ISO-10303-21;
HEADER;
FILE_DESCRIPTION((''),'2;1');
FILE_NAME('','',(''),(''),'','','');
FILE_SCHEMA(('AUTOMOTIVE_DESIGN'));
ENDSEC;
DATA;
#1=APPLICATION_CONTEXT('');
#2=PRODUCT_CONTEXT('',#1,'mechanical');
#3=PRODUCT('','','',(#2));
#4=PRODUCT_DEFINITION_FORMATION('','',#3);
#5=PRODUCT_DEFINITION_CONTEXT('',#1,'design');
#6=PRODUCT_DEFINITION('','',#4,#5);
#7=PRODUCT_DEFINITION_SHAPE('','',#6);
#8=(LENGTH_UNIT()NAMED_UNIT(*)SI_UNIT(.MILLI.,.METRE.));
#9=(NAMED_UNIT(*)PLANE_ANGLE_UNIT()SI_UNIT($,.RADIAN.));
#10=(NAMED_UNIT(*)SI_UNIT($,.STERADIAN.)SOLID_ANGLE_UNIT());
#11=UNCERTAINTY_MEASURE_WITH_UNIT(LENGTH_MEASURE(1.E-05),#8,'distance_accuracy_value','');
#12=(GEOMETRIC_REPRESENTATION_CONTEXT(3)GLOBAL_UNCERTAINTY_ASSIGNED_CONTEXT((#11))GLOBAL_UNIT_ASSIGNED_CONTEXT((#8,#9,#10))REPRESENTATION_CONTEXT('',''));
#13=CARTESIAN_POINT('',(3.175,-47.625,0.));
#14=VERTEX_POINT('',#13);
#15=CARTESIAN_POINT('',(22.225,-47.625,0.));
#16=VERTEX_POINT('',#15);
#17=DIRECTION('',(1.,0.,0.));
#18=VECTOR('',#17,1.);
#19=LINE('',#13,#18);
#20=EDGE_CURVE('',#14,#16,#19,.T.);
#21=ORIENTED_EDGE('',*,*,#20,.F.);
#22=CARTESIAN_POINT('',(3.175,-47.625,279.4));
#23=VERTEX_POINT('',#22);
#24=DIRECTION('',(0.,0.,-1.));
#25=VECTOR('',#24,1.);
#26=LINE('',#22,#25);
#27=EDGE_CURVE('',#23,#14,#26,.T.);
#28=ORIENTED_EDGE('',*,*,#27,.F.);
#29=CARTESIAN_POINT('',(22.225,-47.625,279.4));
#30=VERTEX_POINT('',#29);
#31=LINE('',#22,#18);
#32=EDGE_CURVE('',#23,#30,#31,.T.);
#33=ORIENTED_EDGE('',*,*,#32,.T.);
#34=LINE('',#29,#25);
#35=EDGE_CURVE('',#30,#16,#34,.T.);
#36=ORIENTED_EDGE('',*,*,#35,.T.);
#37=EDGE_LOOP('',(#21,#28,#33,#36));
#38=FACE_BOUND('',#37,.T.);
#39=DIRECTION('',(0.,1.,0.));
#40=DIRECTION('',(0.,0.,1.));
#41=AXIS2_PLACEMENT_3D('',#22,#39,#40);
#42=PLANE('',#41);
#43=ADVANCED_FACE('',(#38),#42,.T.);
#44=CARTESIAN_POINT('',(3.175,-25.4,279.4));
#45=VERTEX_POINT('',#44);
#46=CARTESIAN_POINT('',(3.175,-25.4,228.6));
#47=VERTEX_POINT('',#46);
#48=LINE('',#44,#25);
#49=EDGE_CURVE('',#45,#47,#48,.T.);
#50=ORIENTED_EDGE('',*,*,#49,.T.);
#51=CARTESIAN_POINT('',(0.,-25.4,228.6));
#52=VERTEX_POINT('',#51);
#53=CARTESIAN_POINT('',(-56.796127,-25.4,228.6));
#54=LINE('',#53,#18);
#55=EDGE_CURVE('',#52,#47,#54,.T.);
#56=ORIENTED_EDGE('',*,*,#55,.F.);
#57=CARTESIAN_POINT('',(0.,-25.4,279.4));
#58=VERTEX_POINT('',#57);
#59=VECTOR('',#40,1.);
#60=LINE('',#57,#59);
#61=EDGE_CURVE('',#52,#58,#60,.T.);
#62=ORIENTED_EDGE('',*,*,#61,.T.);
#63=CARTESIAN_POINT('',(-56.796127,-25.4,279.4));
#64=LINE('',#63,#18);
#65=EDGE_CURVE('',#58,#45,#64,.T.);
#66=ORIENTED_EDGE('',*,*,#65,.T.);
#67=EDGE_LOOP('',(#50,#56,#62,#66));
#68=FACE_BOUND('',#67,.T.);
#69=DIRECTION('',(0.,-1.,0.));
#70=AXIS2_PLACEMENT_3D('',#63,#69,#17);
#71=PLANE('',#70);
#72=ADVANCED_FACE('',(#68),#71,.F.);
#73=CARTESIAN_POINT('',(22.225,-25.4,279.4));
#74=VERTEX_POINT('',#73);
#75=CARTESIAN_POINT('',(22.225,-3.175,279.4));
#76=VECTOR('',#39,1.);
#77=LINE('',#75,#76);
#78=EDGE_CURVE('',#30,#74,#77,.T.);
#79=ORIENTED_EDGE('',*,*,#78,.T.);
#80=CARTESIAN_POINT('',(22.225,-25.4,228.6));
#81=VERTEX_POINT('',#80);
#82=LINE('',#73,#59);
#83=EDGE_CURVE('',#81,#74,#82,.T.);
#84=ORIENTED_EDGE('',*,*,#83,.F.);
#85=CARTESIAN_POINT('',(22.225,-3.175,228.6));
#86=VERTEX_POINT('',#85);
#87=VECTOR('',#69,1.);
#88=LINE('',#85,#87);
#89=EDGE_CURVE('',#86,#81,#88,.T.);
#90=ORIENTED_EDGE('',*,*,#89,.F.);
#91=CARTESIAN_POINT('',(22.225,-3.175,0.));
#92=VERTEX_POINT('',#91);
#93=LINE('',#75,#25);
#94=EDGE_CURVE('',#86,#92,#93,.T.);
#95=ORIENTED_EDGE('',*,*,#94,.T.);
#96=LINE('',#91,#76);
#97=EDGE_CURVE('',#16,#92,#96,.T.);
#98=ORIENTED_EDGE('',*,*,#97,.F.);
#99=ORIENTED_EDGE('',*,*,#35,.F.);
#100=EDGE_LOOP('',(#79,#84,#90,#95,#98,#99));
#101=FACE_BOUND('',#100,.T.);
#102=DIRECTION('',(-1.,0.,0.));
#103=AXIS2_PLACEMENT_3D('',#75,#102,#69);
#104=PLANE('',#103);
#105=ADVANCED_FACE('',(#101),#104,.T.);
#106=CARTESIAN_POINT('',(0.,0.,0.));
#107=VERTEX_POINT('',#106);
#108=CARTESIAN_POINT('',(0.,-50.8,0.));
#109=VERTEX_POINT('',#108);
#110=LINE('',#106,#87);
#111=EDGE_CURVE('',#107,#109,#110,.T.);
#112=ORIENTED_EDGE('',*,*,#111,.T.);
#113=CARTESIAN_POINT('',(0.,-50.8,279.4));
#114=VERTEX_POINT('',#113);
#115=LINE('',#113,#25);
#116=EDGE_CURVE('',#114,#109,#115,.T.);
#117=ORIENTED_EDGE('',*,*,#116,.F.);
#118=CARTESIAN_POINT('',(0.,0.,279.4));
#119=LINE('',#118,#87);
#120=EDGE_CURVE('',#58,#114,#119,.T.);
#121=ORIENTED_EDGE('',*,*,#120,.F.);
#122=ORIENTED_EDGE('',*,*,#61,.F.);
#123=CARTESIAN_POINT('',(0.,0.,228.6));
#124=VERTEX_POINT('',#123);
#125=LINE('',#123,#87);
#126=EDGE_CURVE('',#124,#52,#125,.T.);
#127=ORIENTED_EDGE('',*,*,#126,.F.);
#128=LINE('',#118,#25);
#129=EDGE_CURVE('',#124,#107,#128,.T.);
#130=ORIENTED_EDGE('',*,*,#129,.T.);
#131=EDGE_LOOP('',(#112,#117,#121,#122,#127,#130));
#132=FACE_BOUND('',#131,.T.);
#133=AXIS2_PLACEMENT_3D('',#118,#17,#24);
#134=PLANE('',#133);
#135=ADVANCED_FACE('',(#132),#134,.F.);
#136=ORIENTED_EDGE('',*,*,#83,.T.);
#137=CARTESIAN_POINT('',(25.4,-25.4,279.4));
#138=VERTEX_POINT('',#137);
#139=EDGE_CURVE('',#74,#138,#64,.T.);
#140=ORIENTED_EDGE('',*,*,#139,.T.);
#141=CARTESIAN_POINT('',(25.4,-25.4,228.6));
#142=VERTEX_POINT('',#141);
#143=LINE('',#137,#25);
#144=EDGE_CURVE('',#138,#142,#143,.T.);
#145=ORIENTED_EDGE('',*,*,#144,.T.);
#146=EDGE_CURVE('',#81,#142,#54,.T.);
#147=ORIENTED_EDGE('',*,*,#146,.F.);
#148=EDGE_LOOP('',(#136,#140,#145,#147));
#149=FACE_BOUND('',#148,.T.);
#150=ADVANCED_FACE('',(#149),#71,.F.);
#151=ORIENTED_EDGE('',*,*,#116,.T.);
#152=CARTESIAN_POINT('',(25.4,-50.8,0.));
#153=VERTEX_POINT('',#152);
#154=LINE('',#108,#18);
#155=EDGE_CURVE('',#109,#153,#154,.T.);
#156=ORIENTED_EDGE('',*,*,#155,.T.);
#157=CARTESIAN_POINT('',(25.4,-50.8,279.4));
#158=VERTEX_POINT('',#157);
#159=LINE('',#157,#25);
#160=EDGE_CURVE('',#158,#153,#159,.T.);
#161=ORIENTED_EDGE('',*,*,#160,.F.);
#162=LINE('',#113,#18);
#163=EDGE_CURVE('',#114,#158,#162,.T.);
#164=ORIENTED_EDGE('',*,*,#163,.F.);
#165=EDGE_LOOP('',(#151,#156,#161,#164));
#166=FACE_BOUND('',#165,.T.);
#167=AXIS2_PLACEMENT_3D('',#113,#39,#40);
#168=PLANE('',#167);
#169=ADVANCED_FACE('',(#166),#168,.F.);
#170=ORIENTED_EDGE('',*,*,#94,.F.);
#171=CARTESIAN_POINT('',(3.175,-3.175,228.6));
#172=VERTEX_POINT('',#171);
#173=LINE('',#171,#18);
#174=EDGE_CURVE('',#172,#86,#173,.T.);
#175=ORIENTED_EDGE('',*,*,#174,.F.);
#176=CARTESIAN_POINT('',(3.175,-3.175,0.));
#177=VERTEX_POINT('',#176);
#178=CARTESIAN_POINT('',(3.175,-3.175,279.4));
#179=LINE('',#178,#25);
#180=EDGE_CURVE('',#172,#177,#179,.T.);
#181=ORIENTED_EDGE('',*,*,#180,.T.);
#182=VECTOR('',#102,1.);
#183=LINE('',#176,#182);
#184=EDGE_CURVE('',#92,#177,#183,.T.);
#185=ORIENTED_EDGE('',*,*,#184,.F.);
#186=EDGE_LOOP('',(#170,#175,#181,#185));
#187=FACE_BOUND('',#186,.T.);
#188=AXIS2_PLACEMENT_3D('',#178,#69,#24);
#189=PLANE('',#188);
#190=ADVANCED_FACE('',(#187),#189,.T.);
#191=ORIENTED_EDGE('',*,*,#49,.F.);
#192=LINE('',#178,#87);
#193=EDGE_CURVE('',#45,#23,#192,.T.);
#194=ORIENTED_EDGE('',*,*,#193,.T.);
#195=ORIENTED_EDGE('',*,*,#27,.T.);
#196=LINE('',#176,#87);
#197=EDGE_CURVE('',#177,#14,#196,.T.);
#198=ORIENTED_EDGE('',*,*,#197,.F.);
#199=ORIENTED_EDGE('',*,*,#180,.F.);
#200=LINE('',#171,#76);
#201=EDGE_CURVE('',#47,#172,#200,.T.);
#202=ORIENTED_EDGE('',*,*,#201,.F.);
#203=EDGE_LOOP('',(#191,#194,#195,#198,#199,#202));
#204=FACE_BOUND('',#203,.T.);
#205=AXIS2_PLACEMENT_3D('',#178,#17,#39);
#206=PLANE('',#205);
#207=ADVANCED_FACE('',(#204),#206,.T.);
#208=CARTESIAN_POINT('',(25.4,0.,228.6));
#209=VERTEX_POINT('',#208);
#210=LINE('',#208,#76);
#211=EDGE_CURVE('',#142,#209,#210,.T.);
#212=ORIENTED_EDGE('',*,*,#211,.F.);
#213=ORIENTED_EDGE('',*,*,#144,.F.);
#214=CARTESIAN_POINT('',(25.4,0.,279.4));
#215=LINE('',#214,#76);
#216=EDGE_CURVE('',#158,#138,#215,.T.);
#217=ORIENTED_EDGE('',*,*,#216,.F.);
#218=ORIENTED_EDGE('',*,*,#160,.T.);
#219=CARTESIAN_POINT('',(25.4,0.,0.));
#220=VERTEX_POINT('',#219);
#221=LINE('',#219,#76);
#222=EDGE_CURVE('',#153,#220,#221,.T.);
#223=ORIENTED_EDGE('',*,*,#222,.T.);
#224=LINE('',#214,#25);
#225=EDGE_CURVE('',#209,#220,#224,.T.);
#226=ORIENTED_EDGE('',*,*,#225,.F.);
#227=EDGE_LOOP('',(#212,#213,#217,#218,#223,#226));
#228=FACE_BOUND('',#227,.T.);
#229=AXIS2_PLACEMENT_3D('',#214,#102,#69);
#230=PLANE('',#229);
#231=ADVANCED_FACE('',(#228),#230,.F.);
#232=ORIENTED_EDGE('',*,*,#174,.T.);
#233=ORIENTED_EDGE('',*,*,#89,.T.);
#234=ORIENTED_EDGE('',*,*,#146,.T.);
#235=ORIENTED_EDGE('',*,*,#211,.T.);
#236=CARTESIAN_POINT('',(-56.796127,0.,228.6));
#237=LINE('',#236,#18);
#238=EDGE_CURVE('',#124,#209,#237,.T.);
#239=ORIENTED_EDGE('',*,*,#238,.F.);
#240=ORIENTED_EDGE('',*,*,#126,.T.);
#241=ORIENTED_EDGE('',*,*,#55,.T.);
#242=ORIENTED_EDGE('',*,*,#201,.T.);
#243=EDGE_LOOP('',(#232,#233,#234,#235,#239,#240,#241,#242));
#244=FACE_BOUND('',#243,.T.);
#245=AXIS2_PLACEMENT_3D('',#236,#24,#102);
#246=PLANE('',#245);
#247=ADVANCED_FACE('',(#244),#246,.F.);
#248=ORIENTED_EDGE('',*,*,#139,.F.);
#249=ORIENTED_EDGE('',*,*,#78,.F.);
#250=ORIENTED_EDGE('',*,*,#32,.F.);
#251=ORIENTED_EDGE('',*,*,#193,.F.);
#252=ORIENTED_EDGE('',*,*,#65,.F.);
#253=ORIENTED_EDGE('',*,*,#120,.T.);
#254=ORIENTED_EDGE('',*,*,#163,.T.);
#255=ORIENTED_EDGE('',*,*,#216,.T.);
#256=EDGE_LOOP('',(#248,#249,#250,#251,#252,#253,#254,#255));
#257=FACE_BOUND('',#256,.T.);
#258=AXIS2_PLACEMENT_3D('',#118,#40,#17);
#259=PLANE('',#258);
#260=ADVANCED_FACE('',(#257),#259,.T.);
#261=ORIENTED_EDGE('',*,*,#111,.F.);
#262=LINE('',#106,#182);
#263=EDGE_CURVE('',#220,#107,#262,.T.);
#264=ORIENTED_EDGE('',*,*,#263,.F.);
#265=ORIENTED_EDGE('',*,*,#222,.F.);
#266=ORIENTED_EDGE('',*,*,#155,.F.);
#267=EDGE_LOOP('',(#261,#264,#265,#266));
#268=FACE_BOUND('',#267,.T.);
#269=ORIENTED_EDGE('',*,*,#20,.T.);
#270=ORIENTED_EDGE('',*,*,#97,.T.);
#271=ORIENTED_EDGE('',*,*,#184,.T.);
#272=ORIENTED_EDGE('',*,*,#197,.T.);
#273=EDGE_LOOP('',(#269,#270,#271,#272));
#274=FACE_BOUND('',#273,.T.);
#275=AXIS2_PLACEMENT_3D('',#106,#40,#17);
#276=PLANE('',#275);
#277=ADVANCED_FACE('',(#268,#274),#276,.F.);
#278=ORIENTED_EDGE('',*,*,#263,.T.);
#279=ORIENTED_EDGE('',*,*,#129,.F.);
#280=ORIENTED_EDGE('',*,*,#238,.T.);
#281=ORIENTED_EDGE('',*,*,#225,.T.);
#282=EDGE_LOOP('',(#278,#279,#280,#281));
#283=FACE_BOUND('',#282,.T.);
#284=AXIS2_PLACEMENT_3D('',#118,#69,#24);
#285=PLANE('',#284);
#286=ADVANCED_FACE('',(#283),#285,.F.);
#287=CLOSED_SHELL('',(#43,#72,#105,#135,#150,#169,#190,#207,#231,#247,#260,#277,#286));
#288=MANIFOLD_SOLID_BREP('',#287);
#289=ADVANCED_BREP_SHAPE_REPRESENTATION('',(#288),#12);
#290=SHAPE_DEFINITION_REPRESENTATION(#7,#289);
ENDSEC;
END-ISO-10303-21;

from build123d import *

# Parameters (mm, degrees)
SKETCH1_W           = 25.4
SKETCH1_H           = 50.8
SKETCH1_W_2         = 19.05
SKETCH1_H_2         = 44.45
BOSS_EXTRUDE1_DEPTH = 279.4
CUT_EXTRUDE1_REACH  = 287.114
SKETCH2_W           = 50.8
SKETCH2_H           = 25.4


with BuildPart() as part:
    # Sketch1 → Boss-Extrude1 (new body)
    with BuildSketch(Plane.XY):
        with Locations((12.7, -25.4)):
            Rectangle(SKETCH1_W, SKETCH1_H)
        with Locations((12.7, -25.4)):
            Rectangle(SKETCH1_W_2, SKETCH1_H_2, mode=Mode.SUBTRACT)
    extrude(amount=BOSS_EXTRUDE1_DEPTH)

    # Cut-Extrude1: up to this face of the body (flat: up to its plane)
    cut_extrude1_end = Plane(part.part.faces().sort_by_distance((0, -25.4, 139.7))[0])
    # Sketch2 → Cut-Extrude1 (cut, up to the picked face)
    with BuildSketch(Plane(origin=(25.4, 0, 0), x_dir=(0, 0, -1), z_dir=(1, 0, 0)), mode=Mode.PRIVATE) as cut_extrude1_sk1:
        with Locations((-254, -12.7)):
            Rectangle(SKETCH2_W, SKETCH2_H)
    cut_extrude1_tool1 = split(extrude(cut_extrude1_sk1.sketch, amount=-CUT_EXTRUDE1_REACH, mode=Mode.PRIVATE), bisect_by=cut_extrude1_end, keep=Keep.BOTH, mode=Mode.PRIVATE)
    add(cut_extrude1_tool1.solids().sort_by(Axis((25.4, -12.7, 254), (-1, 0, 0)))[0], mode=Mode.SUBTRACT)


solid = part.part
